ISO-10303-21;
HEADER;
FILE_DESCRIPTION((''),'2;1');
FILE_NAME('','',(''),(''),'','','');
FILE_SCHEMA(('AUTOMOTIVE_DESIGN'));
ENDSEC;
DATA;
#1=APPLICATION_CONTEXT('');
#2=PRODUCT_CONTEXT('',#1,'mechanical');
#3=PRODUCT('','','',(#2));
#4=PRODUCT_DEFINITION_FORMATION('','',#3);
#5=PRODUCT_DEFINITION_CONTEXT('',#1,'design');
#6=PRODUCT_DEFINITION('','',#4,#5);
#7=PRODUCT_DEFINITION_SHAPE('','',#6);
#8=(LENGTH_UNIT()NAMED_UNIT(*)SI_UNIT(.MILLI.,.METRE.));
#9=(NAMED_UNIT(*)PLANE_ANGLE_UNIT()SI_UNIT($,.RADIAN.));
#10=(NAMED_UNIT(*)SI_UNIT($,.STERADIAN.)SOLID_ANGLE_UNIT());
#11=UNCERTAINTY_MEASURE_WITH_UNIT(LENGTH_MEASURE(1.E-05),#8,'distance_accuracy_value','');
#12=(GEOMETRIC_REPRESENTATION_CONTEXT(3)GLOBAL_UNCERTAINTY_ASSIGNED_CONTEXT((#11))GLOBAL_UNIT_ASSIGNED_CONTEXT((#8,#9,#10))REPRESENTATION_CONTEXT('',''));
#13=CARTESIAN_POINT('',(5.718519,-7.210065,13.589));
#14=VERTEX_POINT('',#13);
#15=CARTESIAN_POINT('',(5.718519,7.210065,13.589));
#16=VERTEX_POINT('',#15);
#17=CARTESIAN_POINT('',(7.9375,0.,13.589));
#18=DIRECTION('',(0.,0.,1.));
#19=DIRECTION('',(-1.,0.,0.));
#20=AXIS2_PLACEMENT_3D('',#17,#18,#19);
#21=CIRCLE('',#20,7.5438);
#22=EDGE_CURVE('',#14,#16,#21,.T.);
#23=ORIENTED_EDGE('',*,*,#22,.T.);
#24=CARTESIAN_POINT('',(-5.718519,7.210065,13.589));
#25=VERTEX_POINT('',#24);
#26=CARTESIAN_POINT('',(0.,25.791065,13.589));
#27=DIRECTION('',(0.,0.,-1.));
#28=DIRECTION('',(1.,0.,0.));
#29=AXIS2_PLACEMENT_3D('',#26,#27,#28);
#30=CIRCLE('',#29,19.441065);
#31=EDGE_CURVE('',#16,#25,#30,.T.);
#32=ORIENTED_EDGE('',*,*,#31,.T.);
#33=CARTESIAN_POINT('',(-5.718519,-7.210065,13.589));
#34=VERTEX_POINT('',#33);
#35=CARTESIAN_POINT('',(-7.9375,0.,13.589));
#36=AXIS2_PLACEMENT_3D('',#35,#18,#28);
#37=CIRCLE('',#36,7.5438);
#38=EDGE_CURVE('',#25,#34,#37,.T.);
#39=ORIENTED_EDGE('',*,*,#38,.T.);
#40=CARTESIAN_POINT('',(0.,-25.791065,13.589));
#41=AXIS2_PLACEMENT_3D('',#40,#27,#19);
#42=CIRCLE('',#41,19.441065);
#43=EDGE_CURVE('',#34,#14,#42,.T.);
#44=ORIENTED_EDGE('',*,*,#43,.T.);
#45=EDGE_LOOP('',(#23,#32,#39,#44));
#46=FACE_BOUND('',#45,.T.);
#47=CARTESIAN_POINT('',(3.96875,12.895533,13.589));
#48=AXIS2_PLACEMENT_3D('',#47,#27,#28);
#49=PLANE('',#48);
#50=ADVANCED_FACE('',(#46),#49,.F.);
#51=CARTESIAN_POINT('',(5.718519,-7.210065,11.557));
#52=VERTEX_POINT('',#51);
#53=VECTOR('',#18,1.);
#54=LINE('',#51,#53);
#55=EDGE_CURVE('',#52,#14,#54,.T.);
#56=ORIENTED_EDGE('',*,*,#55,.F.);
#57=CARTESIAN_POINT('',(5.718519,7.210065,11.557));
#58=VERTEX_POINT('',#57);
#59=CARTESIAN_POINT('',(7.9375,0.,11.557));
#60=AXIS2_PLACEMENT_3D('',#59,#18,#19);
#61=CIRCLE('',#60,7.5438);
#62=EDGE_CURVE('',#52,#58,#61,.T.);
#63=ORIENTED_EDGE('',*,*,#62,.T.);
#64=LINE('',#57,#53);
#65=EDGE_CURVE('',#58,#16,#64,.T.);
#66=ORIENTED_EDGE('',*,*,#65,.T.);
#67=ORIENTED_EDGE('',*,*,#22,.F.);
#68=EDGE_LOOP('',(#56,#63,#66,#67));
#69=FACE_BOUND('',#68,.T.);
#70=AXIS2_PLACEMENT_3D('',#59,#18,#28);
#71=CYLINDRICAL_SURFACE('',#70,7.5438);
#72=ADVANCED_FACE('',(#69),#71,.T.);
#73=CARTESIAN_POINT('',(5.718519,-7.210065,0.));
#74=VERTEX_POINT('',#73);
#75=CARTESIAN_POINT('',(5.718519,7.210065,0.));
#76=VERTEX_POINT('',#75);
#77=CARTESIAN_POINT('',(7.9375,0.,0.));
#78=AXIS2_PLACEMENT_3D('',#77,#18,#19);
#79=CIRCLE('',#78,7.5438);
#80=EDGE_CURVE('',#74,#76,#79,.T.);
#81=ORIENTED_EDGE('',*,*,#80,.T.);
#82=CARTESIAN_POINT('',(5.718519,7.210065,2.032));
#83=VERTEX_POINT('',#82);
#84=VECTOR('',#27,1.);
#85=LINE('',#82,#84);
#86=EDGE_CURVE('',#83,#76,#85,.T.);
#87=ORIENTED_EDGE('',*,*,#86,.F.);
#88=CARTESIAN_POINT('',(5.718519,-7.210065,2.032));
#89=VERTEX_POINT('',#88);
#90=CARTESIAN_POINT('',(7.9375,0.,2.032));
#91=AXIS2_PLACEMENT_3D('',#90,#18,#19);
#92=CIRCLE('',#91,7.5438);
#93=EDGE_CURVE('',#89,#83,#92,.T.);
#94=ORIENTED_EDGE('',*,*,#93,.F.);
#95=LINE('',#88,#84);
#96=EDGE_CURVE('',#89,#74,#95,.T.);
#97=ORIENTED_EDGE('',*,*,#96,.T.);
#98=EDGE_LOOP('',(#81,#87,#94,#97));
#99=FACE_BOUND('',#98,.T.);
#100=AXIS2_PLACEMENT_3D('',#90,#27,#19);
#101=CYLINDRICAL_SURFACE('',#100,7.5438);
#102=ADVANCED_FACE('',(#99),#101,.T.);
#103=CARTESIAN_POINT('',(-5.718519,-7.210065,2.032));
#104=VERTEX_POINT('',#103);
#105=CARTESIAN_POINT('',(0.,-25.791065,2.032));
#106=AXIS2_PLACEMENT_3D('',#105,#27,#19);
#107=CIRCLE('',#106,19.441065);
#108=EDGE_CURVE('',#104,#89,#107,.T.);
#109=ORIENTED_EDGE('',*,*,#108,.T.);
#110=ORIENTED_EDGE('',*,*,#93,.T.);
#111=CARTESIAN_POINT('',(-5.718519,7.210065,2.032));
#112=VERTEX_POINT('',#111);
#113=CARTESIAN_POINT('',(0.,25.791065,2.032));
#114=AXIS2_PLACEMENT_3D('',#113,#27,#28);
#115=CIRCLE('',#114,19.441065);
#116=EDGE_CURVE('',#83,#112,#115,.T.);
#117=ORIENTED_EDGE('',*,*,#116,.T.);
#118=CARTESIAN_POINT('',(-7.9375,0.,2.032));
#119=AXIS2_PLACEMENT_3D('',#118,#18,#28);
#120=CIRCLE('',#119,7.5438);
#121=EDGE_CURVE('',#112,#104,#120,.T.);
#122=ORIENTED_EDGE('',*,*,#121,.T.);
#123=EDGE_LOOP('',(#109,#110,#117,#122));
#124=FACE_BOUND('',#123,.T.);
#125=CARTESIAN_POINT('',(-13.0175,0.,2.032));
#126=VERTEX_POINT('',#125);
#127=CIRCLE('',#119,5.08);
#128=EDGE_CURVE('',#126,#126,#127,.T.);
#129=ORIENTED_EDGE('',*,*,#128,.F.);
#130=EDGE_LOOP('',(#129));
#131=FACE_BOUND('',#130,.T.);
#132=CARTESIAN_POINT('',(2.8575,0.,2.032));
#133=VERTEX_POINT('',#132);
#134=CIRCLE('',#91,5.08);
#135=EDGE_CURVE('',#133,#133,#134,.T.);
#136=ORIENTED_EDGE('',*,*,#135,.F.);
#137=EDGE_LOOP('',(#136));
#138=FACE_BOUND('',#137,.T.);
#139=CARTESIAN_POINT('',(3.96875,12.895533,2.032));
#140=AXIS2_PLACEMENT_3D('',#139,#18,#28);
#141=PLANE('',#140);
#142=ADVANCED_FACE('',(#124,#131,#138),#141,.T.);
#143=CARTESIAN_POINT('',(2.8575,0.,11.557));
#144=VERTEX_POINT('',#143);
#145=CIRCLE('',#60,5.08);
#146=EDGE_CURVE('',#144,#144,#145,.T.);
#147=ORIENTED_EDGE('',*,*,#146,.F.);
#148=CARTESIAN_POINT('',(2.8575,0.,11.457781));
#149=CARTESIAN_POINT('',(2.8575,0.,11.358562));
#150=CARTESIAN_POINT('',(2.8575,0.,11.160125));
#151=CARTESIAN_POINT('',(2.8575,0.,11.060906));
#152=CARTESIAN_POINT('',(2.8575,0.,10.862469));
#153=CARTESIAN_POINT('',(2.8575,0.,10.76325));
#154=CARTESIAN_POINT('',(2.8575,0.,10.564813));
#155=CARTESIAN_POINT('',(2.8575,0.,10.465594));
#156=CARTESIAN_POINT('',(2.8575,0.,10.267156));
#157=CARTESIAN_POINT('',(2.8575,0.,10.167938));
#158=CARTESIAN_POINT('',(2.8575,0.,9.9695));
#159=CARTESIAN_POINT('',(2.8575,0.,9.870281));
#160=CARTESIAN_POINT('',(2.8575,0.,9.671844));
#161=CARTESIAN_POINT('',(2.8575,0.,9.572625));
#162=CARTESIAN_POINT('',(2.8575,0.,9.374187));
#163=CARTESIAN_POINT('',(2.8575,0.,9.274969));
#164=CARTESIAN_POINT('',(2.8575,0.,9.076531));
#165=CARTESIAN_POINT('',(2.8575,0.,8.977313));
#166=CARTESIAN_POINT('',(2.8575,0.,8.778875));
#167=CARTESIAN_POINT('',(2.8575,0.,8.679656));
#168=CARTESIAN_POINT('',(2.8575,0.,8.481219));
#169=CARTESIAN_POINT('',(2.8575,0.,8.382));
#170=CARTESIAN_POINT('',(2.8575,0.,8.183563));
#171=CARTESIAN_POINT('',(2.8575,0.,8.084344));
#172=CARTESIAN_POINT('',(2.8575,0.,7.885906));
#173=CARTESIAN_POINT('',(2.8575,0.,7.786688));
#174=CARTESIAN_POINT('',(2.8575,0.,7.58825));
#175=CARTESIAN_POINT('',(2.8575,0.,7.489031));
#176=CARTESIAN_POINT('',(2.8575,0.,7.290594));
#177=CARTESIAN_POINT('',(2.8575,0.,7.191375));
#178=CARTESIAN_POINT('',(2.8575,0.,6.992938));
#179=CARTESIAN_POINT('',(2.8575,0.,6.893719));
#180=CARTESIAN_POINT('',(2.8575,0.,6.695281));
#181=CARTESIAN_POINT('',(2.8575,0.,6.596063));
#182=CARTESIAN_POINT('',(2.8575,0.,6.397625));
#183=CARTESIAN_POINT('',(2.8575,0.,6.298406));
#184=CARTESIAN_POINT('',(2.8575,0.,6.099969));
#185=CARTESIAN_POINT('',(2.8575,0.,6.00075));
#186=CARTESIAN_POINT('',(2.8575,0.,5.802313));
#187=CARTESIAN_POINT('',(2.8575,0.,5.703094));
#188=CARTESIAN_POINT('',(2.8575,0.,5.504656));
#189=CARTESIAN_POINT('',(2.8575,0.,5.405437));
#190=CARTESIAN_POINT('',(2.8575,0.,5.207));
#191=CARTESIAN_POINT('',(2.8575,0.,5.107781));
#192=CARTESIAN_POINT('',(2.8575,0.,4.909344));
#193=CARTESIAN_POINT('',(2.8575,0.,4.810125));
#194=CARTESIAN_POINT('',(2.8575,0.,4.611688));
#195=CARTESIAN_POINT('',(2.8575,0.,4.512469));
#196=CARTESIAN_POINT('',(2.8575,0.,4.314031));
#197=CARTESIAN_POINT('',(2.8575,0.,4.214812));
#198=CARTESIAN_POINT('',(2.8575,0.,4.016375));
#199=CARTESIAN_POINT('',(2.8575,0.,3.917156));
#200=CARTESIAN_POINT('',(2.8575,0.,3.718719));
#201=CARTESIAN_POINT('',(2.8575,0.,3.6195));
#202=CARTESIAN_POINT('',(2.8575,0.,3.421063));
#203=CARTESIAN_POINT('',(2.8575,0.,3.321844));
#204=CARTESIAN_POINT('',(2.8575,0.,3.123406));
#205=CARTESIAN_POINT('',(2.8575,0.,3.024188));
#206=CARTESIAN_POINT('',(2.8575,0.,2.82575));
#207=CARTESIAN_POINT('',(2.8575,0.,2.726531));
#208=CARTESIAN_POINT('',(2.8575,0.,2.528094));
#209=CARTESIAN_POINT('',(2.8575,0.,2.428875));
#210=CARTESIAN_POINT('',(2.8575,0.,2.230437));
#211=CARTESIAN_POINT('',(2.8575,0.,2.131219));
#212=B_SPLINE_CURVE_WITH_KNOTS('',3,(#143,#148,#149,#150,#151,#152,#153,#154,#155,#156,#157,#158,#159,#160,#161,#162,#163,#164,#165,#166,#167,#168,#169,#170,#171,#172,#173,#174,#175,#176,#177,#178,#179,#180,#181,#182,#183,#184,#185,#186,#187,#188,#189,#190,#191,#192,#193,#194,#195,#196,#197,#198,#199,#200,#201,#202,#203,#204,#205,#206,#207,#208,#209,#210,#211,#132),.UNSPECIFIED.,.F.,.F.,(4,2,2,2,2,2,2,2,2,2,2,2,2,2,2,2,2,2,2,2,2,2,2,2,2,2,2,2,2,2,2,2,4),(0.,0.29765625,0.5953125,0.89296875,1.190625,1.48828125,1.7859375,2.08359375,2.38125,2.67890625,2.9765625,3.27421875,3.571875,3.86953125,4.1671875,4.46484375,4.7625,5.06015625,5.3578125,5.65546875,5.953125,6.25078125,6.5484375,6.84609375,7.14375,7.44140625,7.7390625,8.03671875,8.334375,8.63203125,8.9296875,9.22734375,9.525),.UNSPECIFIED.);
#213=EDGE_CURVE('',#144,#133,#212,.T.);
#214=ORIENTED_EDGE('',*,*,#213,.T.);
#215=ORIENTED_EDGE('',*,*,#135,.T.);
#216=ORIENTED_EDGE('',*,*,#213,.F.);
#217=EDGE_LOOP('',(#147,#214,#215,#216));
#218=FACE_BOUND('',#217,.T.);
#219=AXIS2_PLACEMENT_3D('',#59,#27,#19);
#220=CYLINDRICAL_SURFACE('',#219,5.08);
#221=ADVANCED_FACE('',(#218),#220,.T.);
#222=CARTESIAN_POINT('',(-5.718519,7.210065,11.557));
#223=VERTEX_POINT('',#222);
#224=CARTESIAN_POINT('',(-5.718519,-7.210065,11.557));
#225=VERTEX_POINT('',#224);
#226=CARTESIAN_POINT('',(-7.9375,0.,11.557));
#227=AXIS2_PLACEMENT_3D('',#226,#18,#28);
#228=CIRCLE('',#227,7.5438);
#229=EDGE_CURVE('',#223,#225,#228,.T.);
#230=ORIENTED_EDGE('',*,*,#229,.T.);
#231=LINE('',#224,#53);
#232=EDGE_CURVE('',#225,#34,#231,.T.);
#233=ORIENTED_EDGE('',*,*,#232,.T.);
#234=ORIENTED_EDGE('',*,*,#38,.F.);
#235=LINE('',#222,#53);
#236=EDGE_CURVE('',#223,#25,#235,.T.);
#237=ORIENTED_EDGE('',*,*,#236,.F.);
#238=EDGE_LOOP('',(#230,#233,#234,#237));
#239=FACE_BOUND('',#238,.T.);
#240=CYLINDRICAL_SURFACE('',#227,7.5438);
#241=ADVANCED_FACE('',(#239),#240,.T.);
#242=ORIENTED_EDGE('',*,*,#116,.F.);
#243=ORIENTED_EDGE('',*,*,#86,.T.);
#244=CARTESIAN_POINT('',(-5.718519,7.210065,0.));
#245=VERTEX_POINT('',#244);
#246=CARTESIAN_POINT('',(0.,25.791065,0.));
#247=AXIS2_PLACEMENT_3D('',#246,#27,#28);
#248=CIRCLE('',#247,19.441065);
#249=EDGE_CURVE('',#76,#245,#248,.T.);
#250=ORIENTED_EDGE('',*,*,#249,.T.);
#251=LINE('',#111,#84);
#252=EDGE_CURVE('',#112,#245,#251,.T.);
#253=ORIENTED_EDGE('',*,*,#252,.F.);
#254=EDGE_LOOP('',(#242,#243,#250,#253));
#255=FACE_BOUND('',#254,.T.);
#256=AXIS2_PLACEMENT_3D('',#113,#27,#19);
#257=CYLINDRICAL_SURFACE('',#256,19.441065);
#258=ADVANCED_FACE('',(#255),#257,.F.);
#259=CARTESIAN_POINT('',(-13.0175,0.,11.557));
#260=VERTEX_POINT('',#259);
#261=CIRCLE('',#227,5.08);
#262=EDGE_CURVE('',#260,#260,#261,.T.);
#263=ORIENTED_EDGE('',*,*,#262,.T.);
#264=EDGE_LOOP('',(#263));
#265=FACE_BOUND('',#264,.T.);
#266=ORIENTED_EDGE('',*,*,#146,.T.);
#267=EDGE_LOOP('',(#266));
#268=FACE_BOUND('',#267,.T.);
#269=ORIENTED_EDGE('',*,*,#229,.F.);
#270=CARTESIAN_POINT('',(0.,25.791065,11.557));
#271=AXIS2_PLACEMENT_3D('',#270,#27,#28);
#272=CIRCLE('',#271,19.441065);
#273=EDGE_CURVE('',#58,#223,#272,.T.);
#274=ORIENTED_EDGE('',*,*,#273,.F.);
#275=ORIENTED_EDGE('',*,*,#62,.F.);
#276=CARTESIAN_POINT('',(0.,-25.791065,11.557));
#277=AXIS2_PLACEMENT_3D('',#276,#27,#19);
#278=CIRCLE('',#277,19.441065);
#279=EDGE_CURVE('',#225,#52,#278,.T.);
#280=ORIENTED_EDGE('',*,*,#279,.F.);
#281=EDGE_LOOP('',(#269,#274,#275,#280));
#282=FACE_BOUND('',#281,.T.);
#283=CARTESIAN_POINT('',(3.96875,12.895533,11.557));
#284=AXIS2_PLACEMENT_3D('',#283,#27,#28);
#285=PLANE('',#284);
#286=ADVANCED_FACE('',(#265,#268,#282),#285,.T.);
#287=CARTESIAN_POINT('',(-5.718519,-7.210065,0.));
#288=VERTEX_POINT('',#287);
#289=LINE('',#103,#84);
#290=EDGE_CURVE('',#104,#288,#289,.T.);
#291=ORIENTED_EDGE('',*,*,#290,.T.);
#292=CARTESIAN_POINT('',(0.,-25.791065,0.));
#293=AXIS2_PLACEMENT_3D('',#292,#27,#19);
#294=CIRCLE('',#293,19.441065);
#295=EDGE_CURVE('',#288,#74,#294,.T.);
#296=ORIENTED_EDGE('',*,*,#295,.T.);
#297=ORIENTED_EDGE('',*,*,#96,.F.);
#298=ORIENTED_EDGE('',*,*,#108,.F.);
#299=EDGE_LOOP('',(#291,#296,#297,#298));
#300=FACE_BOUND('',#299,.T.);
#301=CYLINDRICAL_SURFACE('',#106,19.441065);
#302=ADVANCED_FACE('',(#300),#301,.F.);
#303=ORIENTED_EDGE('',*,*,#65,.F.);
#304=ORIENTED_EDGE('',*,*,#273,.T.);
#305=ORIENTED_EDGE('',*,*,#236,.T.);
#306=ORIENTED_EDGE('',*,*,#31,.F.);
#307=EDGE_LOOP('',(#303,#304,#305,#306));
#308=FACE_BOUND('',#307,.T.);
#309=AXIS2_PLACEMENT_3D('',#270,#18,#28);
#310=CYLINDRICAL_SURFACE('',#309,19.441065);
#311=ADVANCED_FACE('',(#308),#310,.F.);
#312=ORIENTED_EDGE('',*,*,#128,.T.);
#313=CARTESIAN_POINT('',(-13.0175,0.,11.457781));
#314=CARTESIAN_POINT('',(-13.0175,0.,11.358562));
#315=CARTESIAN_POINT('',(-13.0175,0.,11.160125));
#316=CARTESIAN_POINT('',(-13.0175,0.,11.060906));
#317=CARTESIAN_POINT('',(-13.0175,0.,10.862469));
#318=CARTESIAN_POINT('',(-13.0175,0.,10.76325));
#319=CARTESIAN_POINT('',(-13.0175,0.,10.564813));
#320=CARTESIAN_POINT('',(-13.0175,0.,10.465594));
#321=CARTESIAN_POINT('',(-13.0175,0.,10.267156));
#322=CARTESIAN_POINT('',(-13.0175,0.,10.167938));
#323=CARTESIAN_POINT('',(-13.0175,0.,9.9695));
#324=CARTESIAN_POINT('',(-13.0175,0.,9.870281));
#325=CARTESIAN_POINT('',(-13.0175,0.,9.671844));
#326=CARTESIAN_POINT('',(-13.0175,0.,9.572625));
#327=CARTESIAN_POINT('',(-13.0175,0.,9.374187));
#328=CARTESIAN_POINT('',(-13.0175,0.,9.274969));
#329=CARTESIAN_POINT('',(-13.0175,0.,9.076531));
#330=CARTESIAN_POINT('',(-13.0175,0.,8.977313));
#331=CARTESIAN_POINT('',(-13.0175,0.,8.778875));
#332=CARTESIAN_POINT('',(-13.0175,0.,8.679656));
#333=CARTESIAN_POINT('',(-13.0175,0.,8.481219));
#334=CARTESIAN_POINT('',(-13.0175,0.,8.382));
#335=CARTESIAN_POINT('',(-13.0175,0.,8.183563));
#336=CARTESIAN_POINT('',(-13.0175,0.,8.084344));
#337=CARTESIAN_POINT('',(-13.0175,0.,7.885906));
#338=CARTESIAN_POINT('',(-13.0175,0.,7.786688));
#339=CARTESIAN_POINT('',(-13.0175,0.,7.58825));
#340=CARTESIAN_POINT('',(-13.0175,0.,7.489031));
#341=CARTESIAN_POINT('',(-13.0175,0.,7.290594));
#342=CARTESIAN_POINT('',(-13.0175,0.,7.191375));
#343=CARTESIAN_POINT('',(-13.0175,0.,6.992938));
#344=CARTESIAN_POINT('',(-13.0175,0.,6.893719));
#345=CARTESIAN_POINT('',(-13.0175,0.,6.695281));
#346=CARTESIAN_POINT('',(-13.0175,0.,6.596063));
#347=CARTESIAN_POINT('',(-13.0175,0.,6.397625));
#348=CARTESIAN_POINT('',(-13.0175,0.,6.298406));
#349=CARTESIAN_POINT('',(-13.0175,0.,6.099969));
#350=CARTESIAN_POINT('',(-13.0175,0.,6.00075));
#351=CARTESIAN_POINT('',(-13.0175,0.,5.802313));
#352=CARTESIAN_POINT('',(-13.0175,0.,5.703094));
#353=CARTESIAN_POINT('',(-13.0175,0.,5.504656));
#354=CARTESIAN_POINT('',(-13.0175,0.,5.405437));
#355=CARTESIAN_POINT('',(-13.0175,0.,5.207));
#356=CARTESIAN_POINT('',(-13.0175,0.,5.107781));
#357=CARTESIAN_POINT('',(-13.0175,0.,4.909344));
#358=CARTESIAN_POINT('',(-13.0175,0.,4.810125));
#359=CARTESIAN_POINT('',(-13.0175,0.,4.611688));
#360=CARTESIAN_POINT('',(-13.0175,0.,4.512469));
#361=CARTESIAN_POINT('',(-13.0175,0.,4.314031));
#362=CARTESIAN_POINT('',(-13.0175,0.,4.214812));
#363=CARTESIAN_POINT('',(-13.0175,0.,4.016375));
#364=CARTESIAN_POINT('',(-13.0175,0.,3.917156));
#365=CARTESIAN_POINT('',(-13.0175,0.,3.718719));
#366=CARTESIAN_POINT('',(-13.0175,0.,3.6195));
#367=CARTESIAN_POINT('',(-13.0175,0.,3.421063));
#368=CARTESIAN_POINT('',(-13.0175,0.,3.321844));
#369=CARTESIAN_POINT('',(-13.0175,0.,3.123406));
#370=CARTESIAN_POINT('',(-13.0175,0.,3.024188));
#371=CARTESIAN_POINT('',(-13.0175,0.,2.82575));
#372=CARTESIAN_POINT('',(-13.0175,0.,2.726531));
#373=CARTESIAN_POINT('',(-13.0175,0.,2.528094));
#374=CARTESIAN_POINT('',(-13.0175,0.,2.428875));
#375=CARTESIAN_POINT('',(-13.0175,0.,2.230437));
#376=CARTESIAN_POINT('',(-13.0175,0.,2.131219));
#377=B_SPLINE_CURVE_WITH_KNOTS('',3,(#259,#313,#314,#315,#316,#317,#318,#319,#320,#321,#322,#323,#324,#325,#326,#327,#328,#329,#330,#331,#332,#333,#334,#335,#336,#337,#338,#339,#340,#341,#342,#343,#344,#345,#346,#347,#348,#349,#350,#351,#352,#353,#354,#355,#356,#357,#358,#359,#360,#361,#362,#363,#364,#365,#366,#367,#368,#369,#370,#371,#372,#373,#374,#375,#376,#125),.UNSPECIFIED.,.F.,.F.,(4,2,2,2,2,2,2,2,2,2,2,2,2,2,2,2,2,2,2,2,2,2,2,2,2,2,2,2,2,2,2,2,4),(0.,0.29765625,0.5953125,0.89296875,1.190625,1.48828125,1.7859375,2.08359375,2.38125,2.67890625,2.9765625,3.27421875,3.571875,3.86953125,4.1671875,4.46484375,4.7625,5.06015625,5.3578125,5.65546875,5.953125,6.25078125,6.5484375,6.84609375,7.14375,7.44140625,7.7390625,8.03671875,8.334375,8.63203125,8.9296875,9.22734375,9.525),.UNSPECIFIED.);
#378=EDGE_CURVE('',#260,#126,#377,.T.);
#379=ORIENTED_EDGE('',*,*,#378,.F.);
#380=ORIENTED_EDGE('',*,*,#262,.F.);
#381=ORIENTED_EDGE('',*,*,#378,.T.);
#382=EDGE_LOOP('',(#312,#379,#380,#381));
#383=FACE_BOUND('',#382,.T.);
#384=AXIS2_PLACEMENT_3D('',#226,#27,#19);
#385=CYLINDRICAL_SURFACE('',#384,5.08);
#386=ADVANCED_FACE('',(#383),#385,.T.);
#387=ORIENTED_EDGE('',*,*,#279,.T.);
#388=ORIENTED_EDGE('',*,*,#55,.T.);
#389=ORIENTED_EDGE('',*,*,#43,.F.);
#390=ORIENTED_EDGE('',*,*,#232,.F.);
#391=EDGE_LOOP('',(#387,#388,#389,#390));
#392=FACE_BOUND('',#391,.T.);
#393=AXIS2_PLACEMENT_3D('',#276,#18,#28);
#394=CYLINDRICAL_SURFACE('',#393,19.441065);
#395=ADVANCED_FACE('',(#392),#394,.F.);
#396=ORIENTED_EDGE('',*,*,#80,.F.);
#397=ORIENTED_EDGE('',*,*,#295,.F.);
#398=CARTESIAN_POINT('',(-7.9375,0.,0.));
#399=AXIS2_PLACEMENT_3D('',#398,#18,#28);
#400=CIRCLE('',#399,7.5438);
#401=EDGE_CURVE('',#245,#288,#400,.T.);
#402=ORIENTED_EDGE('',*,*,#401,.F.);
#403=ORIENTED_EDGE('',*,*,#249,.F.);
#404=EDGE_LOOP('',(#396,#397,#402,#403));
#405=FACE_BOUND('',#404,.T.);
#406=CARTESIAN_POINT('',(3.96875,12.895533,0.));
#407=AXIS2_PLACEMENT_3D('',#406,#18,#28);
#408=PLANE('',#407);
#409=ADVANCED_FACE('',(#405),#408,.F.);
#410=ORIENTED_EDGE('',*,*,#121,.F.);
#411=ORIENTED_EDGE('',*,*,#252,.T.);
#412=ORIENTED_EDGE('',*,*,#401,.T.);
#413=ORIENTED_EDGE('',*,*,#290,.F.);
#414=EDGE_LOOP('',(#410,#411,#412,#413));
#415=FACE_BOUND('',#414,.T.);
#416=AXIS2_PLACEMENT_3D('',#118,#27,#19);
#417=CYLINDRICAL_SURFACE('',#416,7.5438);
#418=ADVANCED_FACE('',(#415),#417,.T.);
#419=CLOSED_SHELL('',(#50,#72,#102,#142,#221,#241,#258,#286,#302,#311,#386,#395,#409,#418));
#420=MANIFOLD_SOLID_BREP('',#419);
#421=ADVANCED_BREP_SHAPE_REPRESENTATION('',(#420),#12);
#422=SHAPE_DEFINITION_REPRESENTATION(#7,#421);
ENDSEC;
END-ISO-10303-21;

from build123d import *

# Parameters (mm, degrees)
BOSS_EXTRUDE1_DEPTH = 2.032
SKETCH4_R           = 5.08
BOSS_EXTRUDE2_DEPTH = 9.525


with BuildPart() as part:
    # Sketch2 → Boss-Extrude1 (new body)
    with BuildSketch(Plane.XY):
        with BuildLine():
            ThreePointArc((-5.718518673, 7.210065208), (-15.4813, 0), (-5.718518673, -7.210065208))
            ThreePointArc((-5.718518673, -7.210065208), (0, -6.35), (5.718518673, -7.210065208))
            ThreePointArc((5.718518673, -7.210065208), (15.4813, 0), (5.718518673, 7.210065208))
            ThreePointArc((5.718518673, 7.210065208), (0, 6.35), (-5.718518673, 7.210065208))
        make_face()
    boss_extrude1 = extrude(amount=BOSS_EXTRUDE1_DEPTH)

    # Sketch4 → Boss-Extrude2 (add)
    with BuildSketch(Plane.XY.offset(2.032)):
        with Locations(Location((-7.9375, 0, 0), (0, 0, 180))):
            Circle(SKETCH4_R)
        with Locations(Location((7.9375, 0, 0), (0, 0, 180))):
            Circle(SKETCH4_R)
    extrude(amount=BOSS_EXTRUDE2_DEPTH)

    # Mirror1: Boss-Extrude1 across plane
    add(boss_extrude1.mirror(Plane.XY.offset(6.7945)))


solid = part.part
